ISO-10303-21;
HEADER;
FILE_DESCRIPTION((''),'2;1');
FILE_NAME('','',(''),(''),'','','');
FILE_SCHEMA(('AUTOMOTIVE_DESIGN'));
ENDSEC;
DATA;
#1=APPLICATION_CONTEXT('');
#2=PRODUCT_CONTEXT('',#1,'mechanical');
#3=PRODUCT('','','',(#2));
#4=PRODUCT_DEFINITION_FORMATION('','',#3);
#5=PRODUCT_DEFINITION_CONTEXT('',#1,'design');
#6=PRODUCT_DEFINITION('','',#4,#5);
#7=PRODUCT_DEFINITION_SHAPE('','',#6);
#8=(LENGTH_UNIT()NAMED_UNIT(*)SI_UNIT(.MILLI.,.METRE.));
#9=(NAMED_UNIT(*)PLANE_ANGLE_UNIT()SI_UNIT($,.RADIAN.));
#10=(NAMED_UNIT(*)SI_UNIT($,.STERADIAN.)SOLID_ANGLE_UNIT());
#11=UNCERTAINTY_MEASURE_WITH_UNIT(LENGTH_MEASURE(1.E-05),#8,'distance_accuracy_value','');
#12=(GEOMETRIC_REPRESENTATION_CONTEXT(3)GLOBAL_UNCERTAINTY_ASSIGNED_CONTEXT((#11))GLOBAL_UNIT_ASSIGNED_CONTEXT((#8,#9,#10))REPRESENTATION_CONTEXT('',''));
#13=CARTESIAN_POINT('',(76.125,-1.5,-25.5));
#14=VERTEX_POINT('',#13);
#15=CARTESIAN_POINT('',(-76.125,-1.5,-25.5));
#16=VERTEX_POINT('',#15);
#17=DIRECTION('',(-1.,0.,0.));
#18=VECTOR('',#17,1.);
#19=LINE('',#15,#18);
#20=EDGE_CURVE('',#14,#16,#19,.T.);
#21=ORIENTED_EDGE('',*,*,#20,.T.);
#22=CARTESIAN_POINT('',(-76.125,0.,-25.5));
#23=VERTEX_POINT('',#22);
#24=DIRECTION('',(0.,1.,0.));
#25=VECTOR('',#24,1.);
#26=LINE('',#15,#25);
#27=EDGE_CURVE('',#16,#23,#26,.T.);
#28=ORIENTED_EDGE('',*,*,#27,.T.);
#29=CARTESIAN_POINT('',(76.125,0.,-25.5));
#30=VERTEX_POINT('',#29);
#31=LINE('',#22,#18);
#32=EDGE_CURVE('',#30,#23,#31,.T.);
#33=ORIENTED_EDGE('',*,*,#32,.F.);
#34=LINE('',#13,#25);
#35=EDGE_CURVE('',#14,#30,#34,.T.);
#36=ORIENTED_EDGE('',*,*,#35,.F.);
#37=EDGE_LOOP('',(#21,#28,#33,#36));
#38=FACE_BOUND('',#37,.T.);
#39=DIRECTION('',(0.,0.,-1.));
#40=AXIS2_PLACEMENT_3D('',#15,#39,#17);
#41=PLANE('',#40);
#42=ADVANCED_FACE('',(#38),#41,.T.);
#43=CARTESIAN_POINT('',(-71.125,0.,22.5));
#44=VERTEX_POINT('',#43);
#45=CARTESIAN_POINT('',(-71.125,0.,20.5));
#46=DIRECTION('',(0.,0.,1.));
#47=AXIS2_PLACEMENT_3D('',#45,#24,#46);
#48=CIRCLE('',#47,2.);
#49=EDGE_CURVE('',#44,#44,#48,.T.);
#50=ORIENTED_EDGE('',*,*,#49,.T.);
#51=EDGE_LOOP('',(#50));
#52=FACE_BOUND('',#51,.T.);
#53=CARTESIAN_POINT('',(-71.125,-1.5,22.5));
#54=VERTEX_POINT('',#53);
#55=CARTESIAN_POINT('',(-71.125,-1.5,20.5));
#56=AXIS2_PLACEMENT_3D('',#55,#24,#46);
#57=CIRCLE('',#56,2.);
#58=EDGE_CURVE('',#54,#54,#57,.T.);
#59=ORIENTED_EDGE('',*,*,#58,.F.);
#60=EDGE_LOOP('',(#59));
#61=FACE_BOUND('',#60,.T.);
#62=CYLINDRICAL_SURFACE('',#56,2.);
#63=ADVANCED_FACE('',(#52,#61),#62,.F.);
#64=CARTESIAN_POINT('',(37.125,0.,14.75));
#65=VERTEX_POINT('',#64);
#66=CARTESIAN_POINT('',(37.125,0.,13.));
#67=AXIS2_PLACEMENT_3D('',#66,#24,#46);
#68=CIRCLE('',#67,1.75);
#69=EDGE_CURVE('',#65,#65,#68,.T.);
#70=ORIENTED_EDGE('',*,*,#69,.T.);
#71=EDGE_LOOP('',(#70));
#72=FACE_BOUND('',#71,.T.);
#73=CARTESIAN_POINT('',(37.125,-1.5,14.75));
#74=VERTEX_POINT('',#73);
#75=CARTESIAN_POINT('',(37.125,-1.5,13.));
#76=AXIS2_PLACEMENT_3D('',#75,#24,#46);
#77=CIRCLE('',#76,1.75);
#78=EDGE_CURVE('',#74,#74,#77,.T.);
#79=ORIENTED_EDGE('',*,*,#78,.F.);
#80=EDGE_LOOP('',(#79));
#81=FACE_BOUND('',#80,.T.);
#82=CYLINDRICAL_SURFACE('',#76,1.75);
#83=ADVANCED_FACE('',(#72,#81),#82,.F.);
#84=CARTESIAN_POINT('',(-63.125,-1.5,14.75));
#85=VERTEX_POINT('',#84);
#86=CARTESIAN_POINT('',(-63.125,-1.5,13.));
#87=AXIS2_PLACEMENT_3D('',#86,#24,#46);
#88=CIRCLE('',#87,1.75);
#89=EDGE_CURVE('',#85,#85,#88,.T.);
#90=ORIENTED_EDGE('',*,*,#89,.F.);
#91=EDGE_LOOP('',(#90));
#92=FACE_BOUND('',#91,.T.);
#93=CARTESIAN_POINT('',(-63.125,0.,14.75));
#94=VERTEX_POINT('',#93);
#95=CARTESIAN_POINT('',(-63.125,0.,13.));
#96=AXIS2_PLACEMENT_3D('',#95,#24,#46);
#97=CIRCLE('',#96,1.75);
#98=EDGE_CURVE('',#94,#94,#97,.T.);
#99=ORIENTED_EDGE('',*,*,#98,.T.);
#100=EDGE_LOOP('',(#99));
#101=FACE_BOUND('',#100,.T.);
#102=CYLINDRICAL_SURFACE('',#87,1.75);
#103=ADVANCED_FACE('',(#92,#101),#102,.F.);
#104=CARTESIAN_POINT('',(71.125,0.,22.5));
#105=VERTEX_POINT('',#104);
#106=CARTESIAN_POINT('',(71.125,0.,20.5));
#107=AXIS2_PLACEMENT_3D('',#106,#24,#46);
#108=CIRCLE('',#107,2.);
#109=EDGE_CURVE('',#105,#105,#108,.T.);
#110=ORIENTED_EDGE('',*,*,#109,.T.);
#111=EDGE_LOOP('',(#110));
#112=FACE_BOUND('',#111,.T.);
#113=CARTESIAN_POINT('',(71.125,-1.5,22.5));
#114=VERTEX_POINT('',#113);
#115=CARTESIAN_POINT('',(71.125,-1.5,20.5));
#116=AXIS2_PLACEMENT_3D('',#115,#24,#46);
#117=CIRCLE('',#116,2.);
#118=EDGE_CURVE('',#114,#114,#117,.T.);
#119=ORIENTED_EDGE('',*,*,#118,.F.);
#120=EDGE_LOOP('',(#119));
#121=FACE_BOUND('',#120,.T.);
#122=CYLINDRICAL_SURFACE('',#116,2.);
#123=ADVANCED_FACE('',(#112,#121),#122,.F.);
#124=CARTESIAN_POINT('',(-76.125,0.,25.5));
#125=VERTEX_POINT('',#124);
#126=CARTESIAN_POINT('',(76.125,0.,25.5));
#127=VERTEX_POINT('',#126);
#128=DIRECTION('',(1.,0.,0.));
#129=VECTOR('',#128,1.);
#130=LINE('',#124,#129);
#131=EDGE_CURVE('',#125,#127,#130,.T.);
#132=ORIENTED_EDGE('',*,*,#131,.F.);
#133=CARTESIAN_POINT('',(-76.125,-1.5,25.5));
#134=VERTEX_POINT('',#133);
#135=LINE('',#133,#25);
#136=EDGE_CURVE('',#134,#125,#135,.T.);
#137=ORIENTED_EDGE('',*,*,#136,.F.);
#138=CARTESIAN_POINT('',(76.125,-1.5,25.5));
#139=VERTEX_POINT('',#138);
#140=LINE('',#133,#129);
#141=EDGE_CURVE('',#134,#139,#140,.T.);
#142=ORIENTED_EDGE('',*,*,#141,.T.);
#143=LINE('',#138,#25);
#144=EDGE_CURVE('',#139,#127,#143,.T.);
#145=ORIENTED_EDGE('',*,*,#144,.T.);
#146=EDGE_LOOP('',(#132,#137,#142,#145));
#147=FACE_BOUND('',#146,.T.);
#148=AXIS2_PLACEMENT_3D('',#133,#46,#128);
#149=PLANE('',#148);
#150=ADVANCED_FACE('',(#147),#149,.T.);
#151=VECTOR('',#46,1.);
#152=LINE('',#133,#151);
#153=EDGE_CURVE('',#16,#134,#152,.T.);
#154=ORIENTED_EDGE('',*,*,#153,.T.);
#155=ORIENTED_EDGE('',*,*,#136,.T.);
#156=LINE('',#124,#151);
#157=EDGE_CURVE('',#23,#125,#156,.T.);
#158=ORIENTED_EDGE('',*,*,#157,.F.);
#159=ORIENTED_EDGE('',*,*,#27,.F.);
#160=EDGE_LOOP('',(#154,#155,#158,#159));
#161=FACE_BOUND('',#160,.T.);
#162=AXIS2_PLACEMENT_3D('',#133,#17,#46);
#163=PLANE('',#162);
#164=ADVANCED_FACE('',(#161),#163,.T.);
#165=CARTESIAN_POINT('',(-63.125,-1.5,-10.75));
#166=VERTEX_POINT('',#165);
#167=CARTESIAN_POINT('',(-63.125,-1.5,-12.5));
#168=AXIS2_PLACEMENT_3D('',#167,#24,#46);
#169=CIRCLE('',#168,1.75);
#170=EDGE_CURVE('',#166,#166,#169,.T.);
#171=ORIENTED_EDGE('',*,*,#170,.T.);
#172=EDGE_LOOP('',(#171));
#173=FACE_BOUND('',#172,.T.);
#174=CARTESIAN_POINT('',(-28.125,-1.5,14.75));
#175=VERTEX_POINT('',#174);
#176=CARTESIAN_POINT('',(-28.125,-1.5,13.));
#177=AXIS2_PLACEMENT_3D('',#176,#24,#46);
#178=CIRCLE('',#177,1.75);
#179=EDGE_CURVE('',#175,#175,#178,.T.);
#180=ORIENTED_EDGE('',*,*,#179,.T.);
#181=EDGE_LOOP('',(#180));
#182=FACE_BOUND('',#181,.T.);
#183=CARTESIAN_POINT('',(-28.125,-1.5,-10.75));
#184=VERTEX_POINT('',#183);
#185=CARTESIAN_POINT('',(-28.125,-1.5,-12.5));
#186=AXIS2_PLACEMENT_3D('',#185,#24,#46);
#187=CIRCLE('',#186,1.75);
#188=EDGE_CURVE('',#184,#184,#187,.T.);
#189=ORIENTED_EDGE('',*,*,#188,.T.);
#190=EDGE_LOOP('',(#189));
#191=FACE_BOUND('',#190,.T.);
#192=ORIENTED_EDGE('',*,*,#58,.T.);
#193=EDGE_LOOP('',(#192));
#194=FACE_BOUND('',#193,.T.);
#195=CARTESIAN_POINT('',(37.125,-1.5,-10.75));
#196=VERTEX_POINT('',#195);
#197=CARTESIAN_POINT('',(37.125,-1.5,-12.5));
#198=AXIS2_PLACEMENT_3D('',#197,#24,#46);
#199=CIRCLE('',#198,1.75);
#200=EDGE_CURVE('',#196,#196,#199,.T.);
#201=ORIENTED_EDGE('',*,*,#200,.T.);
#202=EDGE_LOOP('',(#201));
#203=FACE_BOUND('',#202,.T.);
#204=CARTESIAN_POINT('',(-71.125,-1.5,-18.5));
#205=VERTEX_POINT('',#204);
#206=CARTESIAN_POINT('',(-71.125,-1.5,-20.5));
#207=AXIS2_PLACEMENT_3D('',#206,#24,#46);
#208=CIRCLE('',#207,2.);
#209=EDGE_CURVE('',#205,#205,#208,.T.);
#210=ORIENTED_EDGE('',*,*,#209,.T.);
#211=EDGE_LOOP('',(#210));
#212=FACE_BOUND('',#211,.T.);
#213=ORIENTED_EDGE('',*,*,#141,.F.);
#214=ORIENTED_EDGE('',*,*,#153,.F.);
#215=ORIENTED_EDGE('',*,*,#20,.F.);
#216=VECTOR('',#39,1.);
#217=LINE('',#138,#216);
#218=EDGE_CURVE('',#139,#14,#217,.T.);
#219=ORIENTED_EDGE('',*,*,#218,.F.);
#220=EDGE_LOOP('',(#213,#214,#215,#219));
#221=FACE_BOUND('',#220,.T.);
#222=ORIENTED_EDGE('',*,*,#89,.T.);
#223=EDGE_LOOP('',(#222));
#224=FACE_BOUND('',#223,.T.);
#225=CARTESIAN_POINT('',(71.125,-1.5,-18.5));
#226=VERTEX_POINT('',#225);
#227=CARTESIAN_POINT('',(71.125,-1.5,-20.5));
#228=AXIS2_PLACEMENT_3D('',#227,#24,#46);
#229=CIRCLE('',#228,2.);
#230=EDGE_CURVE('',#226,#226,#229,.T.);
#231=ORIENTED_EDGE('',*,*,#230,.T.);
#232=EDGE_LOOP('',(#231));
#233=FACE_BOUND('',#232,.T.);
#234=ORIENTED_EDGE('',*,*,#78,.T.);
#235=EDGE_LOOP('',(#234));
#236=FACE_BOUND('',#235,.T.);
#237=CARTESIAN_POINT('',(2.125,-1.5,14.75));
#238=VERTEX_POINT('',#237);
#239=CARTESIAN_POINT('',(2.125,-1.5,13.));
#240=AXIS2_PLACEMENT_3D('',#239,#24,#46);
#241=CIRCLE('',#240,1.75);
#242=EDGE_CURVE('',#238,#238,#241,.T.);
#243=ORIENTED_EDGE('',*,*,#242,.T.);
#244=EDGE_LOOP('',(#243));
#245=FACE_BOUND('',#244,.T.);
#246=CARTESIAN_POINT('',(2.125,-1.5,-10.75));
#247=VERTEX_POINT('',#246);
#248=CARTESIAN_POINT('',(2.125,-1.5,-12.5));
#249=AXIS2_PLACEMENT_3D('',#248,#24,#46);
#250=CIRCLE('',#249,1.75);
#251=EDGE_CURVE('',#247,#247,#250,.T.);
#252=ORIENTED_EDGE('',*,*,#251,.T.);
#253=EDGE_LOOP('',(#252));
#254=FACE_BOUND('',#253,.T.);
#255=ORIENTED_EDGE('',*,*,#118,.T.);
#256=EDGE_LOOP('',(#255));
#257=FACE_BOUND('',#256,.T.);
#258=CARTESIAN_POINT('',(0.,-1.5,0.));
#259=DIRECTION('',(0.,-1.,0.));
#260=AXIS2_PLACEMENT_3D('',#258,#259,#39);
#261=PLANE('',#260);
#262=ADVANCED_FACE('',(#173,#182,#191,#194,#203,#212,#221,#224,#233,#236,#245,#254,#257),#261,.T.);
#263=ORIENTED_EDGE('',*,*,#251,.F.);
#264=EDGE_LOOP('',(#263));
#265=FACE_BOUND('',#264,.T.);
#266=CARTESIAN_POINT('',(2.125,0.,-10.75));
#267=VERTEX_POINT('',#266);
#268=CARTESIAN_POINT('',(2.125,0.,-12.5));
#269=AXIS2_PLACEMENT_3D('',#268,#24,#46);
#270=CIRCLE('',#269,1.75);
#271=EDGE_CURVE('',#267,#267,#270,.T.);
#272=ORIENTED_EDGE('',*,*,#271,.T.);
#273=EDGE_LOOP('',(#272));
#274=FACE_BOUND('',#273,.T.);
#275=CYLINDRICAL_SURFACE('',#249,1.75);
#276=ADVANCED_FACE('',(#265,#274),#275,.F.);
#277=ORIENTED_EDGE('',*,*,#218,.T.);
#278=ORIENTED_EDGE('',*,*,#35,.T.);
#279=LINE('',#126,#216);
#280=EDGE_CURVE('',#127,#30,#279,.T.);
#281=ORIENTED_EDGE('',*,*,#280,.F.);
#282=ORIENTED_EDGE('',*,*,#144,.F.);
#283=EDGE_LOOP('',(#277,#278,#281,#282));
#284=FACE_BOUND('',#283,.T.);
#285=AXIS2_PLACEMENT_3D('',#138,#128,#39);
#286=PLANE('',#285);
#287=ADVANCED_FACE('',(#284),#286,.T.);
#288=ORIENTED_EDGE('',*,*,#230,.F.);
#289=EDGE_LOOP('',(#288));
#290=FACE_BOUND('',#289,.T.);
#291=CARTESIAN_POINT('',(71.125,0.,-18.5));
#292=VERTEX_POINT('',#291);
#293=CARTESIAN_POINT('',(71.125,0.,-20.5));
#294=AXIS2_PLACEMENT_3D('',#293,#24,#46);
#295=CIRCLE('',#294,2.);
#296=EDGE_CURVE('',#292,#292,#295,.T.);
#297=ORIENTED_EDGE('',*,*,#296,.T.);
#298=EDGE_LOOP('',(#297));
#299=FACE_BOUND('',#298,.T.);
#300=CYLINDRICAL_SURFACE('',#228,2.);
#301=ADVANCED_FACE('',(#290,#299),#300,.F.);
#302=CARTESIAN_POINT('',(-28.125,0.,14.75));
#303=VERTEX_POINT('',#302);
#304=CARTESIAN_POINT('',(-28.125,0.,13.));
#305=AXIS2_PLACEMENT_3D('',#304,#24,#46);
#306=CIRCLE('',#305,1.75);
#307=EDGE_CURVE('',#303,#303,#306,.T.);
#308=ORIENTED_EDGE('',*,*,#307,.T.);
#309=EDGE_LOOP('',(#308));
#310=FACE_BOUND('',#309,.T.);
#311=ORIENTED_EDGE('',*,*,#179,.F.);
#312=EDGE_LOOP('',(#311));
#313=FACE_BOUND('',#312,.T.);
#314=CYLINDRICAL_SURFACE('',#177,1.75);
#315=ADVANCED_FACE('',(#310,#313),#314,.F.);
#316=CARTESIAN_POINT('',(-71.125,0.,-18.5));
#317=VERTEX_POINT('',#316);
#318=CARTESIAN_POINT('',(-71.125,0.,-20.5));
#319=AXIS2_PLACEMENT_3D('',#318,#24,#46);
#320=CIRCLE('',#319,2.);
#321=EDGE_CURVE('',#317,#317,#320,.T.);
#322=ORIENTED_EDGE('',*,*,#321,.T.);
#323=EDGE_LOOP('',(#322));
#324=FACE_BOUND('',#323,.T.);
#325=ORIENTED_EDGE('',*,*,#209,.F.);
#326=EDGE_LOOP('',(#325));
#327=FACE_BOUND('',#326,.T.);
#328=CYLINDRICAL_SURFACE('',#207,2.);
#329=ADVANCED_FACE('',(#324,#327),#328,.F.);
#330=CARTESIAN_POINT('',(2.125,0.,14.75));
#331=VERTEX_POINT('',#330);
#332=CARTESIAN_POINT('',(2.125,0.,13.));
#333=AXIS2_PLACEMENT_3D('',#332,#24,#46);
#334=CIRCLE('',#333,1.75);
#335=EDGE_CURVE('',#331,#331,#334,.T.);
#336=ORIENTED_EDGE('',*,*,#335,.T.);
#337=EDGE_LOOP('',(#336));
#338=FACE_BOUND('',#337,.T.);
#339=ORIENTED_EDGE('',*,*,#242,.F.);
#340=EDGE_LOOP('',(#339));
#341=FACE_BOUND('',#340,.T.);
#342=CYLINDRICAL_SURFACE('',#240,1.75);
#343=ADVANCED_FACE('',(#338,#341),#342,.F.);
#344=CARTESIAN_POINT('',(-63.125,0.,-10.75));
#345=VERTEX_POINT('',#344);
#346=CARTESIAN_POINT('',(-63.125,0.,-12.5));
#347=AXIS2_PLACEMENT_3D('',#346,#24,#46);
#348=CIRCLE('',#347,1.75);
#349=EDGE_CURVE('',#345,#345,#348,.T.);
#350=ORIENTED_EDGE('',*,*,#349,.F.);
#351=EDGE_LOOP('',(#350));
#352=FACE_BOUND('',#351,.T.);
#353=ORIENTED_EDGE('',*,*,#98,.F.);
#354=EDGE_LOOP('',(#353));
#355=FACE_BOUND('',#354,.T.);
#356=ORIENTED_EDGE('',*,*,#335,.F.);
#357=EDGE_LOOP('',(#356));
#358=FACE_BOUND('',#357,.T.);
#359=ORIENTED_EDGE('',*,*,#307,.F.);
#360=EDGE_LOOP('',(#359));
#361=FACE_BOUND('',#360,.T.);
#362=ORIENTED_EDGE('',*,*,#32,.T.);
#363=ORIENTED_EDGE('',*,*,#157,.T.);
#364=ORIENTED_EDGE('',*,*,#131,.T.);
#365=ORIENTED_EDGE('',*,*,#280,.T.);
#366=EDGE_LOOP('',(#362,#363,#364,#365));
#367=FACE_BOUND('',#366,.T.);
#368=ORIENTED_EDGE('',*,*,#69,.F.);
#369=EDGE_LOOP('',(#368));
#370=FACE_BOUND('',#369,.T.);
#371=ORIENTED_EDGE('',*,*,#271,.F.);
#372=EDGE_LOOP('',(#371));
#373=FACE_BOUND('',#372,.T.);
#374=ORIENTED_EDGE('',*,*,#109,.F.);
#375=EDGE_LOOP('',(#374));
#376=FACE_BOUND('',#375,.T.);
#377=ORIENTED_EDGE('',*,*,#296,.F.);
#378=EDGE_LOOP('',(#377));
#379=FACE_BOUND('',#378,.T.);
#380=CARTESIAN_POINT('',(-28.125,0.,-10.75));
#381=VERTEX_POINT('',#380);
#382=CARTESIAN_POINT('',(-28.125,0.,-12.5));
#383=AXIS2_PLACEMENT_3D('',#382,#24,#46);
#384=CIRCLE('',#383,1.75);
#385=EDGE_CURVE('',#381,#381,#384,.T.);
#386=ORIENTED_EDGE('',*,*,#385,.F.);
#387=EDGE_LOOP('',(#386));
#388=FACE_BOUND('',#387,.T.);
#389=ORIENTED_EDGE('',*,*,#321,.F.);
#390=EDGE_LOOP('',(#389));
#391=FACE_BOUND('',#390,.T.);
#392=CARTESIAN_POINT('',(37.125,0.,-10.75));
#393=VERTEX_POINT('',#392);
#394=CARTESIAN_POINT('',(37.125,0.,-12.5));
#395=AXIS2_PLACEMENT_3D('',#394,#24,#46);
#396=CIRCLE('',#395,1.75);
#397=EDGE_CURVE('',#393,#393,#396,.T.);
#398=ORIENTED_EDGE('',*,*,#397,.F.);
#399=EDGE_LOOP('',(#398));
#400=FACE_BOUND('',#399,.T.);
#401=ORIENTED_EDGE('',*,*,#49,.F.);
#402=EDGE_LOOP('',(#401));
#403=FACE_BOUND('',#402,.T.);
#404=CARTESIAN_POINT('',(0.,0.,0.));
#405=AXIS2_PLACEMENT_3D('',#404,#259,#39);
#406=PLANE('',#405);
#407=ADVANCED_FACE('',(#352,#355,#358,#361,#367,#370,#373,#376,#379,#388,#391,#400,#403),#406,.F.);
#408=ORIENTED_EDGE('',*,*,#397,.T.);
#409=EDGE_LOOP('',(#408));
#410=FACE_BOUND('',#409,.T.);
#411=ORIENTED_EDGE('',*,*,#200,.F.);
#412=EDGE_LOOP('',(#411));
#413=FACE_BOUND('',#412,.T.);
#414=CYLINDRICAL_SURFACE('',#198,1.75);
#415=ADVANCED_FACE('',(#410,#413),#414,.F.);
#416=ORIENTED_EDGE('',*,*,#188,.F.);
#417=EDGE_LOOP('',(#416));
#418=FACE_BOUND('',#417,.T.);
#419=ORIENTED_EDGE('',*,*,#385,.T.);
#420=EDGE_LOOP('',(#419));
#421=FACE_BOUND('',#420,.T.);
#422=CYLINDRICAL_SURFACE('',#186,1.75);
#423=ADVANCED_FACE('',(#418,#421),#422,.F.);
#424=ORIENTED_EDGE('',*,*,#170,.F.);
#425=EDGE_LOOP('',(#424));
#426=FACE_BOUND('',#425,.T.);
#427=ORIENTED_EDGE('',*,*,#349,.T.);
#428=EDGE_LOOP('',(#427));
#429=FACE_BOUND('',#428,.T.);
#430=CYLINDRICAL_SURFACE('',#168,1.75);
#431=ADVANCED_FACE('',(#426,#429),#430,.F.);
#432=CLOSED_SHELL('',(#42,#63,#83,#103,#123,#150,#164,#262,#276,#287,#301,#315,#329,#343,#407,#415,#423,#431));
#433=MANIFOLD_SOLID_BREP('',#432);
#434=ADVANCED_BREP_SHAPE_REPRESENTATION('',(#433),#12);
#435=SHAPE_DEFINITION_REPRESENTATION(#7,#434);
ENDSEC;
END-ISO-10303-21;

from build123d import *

# Parameters (mm, degrees)
SKETCH1_W           = 152.25
SKETCH1_H           = 51
SKETCH1_R           = 1.75
SKETCH1_R_2         = 2
BOSS_EXTRUDE1_DEPTH = 1.5


with BuildPart() as part:
    # Sketch1 → Boss-Extrude1 (new body)
    with BuildSketch(Plane(origin=(0, 0, 0), x_dir=(1, 0, 0), z_dir=(0, 1, 0))):
        Rectangle(SKETCH1_W, SKETCH1_H)
        with Locations(Location((-63.125, 12.5, 0), (0, 0, 270))):
            Circle(SKETCH1_R, mode=Mode.SUBTRACT)
        with Locations(Location((-63.125, -13, 0), (0, 0, 270))):
            Circle(SKETCH1_R, mode=Mode.SUBTRACT)
        with Locations(Location((-28.125, 12.5, 0), (0, 0, 270))):
            Circle(SKETCH1_R, mode=Mode.SUBTRACT)
        with Locations(Location((-28.125, -13, 0), (0, 0, 270))):
            Circle(SKETCH1_R, mode=Mode.SUBTRACT)
        with Locations(Location((2.125, 12.5, 0), (0, 0, 270))):
            Circle(SKETCH1_R, mode=Mode.SUBTRACT)
        with Locations(Location((37.125, 12.5, 0), (0, 0, 270))):
            Circle(SKETCH1_R, mode=Mode.SUBTRACT)
        with Locations(Location((37.125, -13, 0), (0, 0, 270))):
            Circle(SKETCH1_R, mode=Mode.SUBTRACT)
        with Locations(Location((2.125, -13, 0), (0, 0, 270))):
            Circle(SKETCH1_R, mode=Mode.SUBTRACT)
        with Locations(Location((-71.125, 20.5, 0), (0, 0, 270))):
            Circle(SKETCH1_R_2, mode=Mode.SUBTRACT)
        with Locations(Location((71.125, 20.5, 0), (0, 0, 270))):
            Circle(SKETCH1_R_2, mode=Mode.SUBTRACT)
        with Locations(Location((71.125, -20.5, 0), (0, 0, 270))):
            Circle(SKETCH1_R_2, mode=Mode.SUBTRACT)
        with Locations(Location((-71.125, -20.5, 0), (0, 0, 270))):
            Circle(SKETCH1_R_2, mode=Mode.SUBTRACT)
    extrude(amount=-BOSS_EXTRUDE1_DEPTH)


solid = part.part
